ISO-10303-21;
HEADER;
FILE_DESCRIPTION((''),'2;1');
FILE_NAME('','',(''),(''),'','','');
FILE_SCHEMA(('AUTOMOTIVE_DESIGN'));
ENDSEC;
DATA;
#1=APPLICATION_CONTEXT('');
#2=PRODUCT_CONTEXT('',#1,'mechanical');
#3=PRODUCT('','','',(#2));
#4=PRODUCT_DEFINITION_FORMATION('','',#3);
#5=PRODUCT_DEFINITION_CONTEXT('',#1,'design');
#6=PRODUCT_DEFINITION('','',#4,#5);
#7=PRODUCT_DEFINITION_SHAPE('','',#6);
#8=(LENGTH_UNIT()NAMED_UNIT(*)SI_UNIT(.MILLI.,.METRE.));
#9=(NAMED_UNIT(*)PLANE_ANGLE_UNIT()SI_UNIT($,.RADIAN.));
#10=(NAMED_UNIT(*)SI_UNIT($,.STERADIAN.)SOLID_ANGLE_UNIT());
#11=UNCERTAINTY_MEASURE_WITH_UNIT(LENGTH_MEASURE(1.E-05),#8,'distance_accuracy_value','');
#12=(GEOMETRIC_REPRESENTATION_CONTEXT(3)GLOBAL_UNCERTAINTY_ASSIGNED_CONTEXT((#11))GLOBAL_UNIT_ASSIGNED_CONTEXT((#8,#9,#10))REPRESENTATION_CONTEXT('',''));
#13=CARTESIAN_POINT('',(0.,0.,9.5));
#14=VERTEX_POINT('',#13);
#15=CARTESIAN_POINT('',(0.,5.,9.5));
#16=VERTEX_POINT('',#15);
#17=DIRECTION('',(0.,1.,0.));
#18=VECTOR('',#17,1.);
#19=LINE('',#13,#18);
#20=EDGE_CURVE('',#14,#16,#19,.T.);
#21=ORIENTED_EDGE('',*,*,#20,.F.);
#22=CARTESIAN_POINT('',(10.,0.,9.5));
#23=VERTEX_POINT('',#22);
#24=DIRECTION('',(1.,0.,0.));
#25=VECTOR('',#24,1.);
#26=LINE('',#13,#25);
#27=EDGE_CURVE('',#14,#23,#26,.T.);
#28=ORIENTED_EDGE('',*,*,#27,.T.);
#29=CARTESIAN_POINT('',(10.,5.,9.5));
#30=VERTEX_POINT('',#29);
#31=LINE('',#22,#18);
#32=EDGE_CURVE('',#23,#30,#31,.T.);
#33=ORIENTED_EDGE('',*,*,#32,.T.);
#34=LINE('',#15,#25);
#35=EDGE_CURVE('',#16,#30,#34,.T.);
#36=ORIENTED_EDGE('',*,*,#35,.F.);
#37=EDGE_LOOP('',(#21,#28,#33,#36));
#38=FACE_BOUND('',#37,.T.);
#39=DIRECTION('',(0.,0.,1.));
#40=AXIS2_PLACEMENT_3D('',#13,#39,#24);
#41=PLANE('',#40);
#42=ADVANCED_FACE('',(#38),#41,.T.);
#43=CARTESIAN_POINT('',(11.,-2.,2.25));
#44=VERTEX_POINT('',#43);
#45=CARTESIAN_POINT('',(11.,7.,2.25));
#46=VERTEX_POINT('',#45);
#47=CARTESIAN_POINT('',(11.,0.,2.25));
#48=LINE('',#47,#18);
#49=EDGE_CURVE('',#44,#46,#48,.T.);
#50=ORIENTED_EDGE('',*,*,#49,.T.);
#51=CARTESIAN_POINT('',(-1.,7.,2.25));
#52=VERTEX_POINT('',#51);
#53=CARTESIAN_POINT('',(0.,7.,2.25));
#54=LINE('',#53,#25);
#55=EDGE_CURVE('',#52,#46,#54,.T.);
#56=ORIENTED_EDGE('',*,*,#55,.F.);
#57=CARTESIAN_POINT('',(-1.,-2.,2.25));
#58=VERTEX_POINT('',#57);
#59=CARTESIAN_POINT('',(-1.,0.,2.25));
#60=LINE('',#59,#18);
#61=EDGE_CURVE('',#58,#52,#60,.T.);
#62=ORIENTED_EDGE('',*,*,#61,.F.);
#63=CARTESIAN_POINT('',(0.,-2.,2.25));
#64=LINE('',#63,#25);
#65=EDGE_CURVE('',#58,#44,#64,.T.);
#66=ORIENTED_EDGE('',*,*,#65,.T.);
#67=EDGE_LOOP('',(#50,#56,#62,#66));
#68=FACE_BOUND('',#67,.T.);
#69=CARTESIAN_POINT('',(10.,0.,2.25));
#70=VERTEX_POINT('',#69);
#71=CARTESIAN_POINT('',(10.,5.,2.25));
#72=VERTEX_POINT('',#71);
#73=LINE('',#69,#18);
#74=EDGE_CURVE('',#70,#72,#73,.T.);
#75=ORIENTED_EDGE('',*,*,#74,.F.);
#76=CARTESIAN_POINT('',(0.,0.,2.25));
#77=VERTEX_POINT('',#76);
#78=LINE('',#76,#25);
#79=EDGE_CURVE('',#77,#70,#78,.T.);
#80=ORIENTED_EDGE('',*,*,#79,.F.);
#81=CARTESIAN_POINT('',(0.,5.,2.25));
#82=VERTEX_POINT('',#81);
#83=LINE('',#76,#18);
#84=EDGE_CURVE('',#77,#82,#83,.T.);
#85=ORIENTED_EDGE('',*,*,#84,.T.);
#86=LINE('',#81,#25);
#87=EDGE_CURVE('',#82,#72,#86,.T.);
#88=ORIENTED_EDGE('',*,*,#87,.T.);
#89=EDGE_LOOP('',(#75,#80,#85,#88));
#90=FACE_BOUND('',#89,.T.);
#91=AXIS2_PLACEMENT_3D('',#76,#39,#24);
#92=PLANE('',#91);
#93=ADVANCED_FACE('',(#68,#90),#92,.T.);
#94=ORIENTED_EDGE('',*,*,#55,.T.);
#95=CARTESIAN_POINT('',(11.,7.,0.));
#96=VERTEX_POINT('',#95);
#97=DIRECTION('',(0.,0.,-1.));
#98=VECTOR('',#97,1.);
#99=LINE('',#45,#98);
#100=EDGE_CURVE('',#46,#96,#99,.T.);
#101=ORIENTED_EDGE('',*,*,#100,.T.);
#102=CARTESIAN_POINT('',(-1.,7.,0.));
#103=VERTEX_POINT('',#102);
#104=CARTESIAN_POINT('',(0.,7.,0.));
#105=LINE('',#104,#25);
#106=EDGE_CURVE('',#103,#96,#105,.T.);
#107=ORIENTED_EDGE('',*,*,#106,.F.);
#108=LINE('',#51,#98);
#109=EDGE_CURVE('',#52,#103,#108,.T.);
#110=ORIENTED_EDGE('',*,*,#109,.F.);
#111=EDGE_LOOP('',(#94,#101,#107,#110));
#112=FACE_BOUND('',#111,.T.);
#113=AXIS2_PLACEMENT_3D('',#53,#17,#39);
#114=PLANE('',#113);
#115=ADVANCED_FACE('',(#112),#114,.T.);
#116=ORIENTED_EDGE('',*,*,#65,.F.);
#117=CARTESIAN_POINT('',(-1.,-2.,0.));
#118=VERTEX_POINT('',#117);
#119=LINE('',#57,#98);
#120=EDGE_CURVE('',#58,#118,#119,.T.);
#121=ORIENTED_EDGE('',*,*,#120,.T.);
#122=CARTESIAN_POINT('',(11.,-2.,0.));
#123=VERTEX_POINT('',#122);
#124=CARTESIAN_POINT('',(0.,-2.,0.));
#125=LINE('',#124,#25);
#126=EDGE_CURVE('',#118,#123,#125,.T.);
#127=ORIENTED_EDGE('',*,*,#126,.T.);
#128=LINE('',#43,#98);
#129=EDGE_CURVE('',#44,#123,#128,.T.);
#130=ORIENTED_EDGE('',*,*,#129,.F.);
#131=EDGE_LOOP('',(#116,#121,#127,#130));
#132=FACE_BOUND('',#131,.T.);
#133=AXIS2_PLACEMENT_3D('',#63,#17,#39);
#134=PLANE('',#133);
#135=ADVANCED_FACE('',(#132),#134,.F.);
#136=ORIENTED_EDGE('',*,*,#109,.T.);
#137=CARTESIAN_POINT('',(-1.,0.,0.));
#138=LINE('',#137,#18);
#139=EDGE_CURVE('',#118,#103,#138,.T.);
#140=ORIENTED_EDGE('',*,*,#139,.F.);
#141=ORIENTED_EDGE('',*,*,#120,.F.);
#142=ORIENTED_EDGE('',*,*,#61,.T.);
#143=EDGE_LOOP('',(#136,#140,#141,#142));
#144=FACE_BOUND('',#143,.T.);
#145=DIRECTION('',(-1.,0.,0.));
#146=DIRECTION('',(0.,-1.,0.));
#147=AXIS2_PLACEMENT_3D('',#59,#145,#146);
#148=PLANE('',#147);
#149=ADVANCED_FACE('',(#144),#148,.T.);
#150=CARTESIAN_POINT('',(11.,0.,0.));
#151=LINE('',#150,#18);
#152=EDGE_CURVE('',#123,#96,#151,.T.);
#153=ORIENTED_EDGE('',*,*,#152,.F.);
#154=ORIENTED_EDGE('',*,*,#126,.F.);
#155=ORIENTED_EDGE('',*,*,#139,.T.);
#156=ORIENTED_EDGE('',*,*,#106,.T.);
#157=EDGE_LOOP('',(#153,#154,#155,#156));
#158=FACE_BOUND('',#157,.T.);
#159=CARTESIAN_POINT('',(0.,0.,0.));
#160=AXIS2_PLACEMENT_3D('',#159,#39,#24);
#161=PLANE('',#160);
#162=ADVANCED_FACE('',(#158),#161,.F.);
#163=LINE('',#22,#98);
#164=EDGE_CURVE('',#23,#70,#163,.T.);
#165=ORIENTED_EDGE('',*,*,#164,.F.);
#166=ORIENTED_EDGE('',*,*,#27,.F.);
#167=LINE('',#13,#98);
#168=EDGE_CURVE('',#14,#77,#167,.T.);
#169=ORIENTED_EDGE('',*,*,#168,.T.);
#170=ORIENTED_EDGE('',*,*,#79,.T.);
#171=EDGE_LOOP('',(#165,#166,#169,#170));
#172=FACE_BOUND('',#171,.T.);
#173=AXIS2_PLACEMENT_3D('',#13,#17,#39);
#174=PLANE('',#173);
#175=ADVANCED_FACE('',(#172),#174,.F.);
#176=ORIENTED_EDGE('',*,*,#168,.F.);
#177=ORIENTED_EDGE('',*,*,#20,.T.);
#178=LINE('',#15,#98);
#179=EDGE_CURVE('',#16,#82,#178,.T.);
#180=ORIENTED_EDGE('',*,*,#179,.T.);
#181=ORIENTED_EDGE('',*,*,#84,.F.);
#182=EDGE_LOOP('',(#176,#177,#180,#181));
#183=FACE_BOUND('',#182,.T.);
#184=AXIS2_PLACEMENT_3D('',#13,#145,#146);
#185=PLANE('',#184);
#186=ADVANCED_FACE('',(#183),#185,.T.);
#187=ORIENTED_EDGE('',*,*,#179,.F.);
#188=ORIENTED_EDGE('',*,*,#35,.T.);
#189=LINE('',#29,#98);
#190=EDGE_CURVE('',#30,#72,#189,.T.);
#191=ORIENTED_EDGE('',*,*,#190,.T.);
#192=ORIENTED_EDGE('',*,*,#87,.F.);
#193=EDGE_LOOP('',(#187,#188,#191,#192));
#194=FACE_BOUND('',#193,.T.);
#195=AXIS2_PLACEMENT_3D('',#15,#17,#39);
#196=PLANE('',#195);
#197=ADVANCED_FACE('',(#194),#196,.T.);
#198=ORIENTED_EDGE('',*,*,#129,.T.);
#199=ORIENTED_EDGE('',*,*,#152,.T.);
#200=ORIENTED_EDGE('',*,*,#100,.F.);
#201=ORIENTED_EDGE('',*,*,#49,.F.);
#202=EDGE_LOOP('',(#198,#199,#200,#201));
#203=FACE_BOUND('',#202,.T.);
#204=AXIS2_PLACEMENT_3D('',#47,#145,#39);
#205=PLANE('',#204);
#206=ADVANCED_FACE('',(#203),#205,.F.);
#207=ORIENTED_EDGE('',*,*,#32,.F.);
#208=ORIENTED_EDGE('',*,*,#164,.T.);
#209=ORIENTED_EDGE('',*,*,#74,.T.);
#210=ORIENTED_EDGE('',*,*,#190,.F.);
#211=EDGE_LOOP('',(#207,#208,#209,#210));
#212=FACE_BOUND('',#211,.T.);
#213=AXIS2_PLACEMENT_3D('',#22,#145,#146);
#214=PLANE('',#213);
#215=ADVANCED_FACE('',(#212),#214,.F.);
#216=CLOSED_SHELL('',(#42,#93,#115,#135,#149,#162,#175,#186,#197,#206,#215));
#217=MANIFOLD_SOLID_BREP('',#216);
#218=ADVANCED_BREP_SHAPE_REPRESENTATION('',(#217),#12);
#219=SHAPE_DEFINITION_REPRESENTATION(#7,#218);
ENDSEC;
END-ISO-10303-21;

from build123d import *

# Parameters (mm, degrees)
SKETCH1_W           = 12
SKETCH1_H           = 9
SKETCH1_W_2         = 10
SKETCH1_H_2         = 5
BOSS_EXTRUDE1_DEPTH = 2.25
SKETCH1_3_W         = 10
SKETCH1_3_H         = 5
BOSS_EXTRUDE2_DEPTH = 9.5


with BuildPart() as part:
    # Sketch1 → Boss-Extrude1 (new body)
    with BuildSketch(Plane.XY):
        with Locations((5, 2.5)):
            Rectangle(SKETCH1_W, SKETCH1_H)
        with Locations((5, 2.5)):
            Rectangle(SKETCH1_W_2, SKETCH1_H_2, mode=Mode.SUBTRACT)
    extrude(amount=BOSS_EXTRUDE1_DEPTH)

    # Sketch1<3> → Boss-Extrude2 (add)
    with BuildSketch(Plane.XY):
        with Locations((5, 2.5)):
            Rectangle(SKETCH1_3_W, SKETCH1_3_H)
    extrude(amount=BOSS_EXTRUDE2_DEPTH)


solid = part.part
